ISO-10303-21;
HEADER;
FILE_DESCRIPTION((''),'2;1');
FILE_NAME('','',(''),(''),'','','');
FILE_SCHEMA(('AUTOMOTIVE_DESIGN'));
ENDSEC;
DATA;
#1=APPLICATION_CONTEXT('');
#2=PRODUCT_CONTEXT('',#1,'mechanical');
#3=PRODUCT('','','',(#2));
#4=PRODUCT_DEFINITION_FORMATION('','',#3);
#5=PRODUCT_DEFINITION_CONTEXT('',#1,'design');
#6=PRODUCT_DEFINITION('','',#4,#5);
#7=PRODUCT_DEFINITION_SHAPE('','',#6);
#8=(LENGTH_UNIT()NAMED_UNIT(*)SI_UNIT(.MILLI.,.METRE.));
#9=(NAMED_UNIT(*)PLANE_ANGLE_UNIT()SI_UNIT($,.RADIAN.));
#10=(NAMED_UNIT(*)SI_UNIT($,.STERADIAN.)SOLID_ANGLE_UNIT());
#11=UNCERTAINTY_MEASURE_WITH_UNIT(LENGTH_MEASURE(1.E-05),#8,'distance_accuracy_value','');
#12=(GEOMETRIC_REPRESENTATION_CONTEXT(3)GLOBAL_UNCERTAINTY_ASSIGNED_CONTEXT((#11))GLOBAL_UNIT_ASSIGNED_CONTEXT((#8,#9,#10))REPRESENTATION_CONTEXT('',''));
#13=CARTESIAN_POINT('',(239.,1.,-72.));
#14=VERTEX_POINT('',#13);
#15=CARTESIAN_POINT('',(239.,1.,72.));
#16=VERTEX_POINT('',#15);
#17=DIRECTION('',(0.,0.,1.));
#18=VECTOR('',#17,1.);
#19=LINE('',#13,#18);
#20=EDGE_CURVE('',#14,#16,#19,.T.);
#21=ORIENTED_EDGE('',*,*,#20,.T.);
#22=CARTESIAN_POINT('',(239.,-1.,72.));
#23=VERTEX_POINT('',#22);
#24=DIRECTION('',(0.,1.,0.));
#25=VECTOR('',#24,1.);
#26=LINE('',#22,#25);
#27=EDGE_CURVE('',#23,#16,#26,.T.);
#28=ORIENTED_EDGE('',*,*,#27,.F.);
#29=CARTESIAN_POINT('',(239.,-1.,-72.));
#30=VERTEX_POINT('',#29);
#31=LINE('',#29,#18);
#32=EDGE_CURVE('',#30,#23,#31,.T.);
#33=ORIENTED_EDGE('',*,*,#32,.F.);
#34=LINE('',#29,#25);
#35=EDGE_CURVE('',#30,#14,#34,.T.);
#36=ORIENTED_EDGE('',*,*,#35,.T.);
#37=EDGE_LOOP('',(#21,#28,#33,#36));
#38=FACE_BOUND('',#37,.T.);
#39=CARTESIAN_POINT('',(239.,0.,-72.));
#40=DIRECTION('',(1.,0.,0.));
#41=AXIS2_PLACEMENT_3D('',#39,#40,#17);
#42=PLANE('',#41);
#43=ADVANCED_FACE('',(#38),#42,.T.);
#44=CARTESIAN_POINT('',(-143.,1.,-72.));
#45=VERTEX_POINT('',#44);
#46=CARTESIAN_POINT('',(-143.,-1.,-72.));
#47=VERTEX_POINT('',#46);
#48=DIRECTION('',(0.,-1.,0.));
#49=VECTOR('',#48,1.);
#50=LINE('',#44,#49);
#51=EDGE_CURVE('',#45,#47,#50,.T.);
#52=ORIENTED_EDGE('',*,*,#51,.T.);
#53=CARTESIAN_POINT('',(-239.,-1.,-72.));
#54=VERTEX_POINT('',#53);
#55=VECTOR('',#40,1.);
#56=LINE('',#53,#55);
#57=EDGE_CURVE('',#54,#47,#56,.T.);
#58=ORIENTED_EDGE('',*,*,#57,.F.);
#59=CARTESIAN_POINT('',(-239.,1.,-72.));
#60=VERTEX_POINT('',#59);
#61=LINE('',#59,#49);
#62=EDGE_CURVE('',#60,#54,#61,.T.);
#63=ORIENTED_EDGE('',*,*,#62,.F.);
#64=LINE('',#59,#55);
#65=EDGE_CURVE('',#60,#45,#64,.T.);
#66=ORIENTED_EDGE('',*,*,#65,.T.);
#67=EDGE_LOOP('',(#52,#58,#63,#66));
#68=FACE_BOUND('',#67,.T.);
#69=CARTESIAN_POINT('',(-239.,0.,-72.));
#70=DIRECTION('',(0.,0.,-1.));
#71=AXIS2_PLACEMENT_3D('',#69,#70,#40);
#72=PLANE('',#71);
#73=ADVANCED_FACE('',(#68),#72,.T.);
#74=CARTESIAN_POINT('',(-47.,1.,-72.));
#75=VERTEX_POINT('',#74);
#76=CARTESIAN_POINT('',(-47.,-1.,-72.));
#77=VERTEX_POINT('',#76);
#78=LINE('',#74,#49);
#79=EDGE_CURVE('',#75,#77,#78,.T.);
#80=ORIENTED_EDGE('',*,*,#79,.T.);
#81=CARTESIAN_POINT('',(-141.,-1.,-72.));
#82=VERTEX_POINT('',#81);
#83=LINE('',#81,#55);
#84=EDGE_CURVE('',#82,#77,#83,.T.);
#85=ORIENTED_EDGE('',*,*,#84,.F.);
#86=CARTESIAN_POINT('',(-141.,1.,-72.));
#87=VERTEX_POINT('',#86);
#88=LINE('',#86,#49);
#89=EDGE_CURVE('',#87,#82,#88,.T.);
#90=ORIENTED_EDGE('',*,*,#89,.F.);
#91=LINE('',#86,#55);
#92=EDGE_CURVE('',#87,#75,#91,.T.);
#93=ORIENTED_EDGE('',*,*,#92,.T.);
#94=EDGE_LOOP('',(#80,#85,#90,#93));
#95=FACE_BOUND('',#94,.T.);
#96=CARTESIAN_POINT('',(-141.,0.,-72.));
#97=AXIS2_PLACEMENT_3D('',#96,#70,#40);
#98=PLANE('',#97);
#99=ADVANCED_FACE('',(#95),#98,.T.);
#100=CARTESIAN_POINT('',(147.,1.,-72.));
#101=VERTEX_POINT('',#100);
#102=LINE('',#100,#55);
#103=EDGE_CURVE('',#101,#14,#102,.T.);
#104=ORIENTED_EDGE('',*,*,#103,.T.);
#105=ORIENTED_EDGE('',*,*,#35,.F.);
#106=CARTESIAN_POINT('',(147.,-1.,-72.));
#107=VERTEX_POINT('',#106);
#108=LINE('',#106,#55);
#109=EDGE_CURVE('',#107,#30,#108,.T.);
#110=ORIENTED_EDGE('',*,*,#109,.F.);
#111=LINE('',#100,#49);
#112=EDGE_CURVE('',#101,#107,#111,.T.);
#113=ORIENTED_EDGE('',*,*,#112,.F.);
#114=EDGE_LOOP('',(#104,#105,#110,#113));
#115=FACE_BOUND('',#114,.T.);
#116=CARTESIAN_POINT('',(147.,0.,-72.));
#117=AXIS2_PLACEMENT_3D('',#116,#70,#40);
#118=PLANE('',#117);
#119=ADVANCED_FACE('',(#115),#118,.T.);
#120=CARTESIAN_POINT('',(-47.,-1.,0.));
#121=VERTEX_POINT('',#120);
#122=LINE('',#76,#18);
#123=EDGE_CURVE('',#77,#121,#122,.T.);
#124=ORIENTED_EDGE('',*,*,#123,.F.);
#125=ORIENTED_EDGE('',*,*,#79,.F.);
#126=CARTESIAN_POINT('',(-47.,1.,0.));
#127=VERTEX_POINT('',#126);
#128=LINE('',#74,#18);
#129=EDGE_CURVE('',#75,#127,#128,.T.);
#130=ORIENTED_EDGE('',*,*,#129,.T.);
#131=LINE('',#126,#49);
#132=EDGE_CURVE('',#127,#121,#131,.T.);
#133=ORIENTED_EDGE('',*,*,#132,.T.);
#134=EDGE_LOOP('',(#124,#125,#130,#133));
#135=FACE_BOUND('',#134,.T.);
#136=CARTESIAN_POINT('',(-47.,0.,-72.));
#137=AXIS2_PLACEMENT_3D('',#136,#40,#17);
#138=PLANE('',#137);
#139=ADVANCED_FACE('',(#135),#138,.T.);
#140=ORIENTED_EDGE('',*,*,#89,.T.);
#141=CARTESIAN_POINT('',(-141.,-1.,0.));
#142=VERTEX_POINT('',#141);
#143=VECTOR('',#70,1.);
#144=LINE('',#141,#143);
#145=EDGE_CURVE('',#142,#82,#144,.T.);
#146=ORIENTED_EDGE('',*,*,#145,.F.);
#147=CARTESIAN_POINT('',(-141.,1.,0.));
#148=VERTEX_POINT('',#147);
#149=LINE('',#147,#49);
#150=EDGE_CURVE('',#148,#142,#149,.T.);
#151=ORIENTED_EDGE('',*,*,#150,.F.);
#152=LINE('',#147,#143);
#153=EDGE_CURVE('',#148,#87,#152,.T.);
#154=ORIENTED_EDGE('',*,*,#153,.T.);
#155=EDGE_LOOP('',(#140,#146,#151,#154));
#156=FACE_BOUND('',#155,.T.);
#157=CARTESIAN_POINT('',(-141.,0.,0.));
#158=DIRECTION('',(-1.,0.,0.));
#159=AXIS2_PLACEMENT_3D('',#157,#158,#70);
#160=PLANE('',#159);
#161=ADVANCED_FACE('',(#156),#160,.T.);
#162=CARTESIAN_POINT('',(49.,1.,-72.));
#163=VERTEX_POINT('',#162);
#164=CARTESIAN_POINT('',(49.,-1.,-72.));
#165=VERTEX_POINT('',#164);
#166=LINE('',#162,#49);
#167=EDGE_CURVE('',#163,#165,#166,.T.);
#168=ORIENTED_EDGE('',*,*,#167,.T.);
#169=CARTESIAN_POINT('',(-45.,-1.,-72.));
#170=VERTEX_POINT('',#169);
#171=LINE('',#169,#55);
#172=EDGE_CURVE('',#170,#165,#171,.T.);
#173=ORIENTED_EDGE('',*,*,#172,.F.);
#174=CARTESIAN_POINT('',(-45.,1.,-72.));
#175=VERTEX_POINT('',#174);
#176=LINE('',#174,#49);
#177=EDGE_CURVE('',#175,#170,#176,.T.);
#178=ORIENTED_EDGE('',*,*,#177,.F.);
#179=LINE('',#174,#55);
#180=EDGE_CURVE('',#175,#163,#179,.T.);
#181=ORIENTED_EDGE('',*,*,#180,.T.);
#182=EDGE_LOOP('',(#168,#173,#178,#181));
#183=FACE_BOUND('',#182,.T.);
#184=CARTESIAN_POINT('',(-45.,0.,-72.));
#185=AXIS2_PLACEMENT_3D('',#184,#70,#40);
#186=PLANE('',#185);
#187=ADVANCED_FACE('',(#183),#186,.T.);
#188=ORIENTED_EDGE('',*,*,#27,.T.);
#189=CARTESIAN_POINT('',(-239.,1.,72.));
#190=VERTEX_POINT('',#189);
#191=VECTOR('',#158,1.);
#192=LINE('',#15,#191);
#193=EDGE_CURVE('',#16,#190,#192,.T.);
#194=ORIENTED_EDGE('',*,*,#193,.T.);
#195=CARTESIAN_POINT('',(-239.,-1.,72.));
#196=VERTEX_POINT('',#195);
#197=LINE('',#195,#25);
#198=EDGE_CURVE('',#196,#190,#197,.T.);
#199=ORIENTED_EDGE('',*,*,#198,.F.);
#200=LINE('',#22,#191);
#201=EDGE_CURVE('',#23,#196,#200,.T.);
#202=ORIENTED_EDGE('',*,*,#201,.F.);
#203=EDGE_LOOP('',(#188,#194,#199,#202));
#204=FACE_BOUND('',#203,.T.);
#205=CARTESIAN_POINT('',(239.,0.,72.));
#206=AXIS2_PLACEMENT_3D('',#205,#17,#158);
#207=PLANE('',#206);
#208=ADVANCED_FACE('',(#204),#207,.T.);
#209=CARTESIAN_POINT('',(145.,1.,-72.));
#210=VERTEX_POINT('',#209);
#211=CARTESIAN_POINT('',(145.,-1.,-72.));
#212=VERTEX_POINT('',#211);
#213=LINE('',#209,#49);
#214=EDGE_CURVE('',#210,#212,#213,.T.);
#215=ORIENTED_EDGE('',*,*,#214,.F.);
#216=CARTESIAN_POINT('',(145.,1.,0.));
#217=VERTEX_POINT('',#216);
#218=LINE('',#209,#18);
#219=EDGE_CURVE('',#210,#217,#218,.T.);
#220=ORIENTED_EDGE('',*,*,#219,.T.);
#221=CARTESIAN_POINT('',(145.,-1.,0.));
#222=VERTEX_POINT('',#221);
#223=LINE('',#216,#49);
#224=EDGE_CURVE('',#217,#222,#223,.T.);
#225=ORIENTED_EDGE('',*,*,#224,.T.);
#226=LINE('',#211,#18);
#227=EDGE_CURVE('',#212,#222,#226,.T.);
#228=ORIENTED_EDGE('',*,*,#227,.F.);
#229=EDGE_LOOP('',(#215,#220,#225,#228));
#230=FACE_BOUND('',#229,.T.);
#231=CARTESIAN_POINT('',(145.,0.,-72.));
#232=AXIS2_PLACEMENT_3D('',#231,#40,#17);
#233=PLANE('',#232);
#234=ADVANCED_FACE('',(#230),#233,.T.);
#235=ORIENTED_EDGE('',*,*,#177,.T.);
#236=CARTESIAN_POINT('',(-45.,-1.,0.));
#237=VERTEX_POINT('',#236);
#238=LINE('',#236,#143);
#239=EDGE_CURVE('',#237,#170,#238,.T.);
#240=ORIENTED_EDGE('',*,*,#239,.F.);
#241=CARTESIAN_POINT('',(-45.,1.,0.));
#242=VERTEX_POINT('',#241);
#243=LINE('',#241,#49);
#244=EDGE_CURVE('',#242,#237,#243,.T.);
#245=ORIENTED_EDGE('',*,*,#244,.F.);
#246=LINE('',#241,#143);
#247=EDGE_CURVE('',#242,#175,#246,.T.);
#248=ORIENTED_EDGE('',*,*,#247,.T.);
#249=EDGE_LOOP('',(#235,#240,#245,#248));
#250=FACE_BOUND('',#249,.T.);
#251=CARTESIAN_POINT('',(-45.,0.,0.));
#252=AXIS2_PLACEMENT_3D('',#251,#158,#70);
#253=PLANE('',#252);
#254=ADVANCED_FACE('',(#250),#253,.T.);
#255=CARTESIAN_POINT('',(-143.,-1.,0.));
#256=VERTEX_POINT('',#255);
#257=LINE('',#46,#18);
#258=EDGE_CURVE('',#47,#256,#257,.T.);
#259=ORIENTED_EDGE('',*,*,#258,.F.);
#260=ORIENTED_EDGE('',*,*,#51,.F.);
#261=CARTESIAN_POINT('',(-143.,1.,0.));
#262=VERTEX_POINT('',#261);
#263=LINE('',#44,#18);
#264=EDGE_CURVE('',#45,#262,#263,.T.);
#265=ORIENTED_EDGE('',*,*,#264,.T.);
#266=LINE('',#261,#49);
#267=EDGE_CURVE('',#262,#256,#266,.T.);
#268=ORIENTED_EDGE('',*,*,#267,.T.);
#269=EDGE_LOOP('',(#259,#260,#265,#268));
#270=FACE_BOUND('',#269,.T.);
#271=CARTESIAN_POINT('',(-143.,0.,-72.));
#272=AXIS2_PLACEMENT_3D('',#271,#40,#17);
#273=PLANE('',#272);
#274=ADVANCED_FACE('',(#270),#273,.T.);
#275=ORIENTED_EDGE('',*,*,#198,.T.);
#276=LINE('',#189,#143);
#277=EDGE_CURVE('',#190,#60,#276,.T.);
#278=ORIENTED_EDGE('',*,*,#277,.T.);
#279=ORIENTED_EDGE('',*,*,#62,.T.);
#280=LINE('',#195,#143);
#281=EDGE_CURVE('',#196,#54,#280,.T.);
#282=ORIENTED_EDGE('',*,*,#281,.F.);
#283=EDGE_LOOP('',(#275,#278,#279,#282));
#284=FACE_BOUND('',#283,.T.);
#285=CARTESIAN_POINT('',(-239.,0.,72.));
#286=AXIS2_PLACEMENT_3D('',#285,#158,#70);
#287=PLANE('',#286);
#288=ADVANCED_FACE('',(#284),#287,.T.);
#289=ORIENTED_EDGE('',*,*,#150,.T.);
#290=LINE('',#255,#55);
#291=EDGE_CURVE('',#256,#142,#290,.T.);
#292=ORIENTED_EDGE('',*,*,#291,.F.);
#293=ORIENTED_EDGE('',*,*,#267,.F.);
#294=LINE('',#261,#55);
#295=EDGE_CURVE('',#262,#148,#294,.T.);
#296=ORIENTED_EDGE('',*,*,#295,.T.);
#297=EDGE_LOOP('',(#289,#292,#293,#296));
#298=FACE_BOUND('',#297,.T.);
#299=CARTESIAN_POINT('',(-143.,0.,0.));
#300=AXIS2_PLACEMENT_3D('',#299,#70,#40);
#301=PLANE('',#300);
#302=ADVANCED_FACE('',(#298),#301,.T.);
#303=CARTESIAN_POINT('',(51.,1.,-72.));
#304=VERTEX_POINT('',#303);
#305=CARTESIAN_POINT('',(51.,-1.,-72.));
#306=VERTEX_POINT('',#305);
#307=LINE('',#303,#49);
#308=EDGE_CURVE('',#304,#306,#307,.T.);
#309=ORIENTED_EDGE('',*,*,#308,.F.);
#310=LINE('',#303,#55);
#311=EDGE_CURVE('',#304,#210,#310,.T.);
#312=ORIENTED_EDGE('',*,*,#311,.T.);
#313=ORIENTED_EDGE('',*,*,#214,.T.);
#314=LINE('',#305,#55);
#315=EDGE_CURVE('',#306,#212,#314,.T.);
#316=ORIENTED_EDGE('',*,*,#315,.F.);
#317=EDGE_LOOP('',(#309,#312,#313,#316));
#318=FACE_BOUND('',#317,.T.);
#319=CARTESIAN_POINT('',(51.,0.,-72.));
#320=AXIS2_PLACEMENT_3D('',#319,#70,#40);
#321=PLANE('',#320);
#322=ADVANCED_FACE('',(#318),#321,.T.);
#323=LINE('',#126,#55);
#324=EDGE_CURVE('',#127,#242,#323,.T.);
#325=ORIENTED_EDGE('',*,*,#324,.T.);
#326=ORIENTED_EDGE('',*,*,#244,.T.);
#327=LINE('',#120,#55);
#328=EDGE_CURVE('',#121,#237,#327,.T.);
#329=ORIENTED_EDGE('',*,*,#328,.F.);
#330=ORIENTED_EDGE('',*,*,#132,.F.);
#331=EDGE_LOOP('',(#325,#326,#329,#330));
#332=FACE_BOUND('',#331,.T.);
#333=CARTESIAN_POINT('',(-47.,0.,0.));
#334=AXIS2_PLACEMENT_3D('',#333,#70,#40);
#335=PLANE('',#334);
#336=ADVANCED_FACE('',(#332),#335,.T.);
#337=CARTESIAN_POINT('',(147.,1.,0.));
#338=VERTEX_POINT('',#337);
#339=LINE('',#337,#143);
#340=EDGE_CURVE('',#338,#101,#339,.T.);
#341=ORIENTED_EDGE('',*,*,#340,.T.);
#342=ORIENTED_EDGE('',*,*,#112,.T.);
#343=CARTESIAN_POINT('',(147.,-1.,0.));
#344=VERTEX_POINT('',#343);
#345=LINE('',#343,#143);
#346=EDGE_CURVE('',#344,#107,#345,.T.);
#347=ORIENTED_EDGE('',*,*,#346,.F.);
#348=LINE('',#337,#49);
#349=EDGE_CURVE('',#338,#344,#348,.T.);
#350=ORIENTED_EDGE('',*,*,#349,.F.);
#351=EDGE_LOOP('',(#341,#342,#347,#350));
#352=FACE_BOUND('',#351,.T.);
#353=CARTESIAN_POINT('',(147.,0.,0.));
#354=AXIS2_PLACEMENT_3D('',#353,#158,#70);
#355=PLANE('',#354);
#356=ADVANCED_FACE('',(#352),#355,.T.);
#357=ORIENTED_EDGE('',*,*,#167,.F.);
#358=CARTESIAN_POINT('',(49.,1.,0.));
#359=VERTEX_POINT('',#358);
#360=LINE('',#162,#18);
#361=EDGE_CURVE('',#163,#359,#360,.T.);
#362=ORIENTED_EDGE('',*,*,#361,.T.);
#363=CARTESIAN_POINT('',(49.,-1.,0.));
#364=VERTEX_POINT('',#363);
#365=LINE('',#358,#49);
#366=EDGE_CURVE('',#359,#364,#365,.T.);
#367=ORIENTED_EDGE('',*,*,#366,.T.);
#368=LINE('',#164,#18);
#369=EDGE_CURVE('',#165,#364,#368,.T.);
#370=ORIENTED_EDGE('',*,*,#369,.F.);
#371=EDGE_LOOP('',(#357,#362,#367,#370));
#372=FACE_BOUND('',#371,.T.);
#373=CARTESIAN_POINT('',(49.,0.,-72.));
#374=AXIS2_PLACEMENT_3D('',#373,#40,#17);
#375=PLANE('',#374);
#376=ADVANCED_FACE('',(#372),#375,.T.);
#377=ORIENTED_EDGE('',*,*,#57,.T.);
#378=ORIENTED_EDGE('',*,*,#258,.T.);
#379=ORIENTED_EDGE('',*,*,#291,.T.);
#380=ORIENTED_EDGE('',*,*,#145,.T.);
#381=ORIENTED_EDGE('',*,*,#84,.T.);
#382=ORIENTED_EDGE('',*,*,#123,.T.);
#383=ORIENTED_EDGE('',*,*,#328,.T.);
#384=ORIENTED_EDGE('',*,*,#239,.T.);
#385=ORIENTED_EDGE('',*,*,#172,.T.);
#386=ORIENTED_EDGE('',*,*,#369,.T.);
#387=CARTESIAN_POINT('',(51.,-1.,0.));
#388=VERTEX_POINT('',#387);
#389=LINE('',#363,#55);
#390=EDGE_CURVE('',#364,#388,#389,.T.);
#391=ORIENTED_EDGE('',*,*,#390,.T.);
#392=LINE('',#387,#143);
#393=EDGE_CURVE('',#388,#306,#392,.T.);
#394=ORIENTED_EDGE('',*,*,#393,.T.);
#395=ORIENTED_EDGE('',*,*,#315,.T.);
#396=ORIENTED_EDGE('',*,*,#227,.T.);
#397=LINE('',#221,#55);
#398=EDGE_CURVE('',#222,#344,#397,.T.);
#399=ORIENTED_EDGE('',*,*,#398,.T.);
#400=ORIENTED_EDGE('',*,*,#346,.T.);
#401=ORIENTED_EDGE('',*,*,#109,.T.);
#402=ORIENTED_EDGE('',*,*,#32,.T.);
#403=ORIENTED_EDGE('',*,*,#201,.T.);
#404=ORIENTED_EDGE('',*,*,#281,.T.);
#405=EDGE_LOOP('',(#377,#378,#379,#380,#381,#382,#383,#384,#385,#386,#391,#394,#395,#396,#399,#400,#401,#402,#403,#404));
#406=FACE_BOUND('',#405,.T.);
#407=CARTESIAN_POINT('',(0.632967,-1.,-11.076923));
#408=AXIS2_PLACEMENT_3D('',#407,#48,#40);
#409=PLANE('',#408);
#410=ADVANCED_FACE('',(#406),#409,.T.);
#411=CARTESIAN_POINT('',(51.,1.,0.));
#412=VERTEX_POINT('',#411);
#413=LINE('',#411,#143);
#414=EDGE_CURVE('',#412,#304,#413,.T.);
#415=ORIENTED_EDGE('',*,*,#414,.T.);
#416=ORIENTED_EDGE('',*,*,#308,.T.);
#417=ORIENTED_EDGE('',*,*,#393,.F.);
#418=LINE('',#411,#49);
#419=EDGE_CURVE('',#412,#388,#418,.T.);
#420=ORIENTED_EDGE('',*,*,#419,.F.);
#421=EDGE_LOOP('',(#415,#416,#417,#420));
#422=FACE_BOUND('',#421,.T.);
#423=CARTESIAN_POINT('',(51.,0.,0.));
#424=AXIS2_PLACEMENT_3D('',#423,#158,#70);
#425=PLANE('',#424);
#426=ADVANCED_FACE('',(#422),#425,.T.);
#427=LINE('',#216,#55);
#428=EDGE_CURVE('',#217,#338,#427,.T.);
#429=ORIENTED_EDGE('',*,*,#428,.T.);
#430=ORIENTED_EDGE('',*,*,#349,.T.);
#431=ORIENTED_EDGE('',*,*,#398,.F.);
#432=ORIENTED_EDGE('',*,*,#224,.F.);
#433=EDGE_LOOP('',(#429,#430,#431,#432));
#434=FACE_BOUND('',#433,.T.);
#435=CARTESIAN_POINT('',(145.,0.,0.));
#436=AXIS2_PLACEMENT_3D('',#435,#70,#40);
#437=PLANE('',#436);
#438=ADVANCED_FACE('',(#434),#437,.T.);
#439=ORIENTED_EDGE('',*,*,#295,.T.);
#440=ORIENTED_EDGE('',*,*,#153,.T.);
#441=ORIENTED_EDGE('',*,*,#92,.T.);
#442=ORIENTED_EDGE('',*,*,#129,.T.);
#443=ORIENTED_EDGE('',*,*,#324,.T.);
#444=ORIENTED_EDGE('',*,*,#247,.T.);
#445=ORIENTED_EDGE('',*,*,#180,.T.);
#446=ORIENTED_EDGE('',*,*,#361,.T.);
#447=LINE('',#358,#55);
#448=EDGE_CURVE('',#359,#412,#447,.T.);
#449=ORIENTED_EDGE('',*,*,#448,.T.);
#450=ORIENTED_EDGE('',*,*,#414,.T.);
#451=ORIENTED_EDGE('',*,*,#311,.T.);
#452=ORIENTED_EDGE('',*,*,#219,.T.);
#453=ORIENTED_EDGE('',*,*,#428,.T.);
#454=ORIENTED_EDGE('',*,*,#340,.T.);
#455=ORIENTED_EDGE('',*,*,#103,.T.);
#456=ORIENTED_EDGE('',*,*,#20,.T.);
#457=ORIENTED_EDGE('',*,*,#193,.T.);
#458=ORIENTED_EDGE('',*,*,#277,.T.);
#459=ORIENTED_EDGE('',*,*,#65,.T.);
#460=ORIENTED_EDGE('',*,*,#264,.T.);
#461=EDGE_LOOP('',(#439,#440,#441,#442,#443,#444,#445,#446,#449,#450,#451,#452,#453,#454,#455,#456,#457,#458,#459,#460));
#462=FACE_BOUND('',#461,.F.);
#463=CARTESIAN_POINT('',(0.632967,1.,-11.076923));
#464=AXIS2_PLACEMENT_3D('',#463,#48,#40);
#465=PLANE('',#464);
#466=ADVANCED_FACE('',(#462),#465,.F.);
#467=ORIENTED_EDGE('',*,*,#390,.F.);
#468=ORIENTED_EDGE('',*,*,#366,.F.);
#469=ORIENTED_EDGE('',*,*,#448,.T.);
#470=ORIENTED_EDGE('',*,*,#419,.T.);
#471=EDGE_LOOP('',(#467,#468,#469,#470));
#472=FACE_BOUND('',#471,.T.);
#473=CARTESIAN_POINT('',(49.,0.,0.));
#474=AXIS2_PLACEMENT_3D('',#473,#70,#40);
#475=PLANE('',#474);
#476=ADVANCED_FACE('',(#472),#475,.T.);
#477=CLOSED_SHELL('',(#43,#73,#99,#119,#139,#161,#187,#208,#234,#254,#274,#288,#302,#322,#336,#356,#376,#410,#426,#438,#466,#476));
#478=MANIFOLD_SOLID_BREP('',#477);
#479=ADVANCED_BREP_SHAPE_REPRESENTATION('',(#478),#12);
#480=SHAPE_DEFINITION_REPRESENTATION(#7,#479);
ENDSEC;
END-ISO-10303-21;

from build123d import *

# Parameters (mm, degrees)
F1_DEPTH = 1


with BuildPart() as f1:
    # F0 (on Front) → F1 (new body, symmetric)
    with BuildSketch(Plane.XZ):
        Polygon((-239, 72), (-239, -72), (-143, -72), (-143, 0), (-141, 0), (-141, -72), (-47, -72), (-47, 0), (-45, 0), (-45, -72), (49, -72), (49, 0), (51, 0), (51, -72), (145, -72), (145, 0), (147, 0), (147, -72), (239, -72), (239, 72), align=None)
    extrude(amount=F1_DEPTH, both=True)


solid = f1.part
